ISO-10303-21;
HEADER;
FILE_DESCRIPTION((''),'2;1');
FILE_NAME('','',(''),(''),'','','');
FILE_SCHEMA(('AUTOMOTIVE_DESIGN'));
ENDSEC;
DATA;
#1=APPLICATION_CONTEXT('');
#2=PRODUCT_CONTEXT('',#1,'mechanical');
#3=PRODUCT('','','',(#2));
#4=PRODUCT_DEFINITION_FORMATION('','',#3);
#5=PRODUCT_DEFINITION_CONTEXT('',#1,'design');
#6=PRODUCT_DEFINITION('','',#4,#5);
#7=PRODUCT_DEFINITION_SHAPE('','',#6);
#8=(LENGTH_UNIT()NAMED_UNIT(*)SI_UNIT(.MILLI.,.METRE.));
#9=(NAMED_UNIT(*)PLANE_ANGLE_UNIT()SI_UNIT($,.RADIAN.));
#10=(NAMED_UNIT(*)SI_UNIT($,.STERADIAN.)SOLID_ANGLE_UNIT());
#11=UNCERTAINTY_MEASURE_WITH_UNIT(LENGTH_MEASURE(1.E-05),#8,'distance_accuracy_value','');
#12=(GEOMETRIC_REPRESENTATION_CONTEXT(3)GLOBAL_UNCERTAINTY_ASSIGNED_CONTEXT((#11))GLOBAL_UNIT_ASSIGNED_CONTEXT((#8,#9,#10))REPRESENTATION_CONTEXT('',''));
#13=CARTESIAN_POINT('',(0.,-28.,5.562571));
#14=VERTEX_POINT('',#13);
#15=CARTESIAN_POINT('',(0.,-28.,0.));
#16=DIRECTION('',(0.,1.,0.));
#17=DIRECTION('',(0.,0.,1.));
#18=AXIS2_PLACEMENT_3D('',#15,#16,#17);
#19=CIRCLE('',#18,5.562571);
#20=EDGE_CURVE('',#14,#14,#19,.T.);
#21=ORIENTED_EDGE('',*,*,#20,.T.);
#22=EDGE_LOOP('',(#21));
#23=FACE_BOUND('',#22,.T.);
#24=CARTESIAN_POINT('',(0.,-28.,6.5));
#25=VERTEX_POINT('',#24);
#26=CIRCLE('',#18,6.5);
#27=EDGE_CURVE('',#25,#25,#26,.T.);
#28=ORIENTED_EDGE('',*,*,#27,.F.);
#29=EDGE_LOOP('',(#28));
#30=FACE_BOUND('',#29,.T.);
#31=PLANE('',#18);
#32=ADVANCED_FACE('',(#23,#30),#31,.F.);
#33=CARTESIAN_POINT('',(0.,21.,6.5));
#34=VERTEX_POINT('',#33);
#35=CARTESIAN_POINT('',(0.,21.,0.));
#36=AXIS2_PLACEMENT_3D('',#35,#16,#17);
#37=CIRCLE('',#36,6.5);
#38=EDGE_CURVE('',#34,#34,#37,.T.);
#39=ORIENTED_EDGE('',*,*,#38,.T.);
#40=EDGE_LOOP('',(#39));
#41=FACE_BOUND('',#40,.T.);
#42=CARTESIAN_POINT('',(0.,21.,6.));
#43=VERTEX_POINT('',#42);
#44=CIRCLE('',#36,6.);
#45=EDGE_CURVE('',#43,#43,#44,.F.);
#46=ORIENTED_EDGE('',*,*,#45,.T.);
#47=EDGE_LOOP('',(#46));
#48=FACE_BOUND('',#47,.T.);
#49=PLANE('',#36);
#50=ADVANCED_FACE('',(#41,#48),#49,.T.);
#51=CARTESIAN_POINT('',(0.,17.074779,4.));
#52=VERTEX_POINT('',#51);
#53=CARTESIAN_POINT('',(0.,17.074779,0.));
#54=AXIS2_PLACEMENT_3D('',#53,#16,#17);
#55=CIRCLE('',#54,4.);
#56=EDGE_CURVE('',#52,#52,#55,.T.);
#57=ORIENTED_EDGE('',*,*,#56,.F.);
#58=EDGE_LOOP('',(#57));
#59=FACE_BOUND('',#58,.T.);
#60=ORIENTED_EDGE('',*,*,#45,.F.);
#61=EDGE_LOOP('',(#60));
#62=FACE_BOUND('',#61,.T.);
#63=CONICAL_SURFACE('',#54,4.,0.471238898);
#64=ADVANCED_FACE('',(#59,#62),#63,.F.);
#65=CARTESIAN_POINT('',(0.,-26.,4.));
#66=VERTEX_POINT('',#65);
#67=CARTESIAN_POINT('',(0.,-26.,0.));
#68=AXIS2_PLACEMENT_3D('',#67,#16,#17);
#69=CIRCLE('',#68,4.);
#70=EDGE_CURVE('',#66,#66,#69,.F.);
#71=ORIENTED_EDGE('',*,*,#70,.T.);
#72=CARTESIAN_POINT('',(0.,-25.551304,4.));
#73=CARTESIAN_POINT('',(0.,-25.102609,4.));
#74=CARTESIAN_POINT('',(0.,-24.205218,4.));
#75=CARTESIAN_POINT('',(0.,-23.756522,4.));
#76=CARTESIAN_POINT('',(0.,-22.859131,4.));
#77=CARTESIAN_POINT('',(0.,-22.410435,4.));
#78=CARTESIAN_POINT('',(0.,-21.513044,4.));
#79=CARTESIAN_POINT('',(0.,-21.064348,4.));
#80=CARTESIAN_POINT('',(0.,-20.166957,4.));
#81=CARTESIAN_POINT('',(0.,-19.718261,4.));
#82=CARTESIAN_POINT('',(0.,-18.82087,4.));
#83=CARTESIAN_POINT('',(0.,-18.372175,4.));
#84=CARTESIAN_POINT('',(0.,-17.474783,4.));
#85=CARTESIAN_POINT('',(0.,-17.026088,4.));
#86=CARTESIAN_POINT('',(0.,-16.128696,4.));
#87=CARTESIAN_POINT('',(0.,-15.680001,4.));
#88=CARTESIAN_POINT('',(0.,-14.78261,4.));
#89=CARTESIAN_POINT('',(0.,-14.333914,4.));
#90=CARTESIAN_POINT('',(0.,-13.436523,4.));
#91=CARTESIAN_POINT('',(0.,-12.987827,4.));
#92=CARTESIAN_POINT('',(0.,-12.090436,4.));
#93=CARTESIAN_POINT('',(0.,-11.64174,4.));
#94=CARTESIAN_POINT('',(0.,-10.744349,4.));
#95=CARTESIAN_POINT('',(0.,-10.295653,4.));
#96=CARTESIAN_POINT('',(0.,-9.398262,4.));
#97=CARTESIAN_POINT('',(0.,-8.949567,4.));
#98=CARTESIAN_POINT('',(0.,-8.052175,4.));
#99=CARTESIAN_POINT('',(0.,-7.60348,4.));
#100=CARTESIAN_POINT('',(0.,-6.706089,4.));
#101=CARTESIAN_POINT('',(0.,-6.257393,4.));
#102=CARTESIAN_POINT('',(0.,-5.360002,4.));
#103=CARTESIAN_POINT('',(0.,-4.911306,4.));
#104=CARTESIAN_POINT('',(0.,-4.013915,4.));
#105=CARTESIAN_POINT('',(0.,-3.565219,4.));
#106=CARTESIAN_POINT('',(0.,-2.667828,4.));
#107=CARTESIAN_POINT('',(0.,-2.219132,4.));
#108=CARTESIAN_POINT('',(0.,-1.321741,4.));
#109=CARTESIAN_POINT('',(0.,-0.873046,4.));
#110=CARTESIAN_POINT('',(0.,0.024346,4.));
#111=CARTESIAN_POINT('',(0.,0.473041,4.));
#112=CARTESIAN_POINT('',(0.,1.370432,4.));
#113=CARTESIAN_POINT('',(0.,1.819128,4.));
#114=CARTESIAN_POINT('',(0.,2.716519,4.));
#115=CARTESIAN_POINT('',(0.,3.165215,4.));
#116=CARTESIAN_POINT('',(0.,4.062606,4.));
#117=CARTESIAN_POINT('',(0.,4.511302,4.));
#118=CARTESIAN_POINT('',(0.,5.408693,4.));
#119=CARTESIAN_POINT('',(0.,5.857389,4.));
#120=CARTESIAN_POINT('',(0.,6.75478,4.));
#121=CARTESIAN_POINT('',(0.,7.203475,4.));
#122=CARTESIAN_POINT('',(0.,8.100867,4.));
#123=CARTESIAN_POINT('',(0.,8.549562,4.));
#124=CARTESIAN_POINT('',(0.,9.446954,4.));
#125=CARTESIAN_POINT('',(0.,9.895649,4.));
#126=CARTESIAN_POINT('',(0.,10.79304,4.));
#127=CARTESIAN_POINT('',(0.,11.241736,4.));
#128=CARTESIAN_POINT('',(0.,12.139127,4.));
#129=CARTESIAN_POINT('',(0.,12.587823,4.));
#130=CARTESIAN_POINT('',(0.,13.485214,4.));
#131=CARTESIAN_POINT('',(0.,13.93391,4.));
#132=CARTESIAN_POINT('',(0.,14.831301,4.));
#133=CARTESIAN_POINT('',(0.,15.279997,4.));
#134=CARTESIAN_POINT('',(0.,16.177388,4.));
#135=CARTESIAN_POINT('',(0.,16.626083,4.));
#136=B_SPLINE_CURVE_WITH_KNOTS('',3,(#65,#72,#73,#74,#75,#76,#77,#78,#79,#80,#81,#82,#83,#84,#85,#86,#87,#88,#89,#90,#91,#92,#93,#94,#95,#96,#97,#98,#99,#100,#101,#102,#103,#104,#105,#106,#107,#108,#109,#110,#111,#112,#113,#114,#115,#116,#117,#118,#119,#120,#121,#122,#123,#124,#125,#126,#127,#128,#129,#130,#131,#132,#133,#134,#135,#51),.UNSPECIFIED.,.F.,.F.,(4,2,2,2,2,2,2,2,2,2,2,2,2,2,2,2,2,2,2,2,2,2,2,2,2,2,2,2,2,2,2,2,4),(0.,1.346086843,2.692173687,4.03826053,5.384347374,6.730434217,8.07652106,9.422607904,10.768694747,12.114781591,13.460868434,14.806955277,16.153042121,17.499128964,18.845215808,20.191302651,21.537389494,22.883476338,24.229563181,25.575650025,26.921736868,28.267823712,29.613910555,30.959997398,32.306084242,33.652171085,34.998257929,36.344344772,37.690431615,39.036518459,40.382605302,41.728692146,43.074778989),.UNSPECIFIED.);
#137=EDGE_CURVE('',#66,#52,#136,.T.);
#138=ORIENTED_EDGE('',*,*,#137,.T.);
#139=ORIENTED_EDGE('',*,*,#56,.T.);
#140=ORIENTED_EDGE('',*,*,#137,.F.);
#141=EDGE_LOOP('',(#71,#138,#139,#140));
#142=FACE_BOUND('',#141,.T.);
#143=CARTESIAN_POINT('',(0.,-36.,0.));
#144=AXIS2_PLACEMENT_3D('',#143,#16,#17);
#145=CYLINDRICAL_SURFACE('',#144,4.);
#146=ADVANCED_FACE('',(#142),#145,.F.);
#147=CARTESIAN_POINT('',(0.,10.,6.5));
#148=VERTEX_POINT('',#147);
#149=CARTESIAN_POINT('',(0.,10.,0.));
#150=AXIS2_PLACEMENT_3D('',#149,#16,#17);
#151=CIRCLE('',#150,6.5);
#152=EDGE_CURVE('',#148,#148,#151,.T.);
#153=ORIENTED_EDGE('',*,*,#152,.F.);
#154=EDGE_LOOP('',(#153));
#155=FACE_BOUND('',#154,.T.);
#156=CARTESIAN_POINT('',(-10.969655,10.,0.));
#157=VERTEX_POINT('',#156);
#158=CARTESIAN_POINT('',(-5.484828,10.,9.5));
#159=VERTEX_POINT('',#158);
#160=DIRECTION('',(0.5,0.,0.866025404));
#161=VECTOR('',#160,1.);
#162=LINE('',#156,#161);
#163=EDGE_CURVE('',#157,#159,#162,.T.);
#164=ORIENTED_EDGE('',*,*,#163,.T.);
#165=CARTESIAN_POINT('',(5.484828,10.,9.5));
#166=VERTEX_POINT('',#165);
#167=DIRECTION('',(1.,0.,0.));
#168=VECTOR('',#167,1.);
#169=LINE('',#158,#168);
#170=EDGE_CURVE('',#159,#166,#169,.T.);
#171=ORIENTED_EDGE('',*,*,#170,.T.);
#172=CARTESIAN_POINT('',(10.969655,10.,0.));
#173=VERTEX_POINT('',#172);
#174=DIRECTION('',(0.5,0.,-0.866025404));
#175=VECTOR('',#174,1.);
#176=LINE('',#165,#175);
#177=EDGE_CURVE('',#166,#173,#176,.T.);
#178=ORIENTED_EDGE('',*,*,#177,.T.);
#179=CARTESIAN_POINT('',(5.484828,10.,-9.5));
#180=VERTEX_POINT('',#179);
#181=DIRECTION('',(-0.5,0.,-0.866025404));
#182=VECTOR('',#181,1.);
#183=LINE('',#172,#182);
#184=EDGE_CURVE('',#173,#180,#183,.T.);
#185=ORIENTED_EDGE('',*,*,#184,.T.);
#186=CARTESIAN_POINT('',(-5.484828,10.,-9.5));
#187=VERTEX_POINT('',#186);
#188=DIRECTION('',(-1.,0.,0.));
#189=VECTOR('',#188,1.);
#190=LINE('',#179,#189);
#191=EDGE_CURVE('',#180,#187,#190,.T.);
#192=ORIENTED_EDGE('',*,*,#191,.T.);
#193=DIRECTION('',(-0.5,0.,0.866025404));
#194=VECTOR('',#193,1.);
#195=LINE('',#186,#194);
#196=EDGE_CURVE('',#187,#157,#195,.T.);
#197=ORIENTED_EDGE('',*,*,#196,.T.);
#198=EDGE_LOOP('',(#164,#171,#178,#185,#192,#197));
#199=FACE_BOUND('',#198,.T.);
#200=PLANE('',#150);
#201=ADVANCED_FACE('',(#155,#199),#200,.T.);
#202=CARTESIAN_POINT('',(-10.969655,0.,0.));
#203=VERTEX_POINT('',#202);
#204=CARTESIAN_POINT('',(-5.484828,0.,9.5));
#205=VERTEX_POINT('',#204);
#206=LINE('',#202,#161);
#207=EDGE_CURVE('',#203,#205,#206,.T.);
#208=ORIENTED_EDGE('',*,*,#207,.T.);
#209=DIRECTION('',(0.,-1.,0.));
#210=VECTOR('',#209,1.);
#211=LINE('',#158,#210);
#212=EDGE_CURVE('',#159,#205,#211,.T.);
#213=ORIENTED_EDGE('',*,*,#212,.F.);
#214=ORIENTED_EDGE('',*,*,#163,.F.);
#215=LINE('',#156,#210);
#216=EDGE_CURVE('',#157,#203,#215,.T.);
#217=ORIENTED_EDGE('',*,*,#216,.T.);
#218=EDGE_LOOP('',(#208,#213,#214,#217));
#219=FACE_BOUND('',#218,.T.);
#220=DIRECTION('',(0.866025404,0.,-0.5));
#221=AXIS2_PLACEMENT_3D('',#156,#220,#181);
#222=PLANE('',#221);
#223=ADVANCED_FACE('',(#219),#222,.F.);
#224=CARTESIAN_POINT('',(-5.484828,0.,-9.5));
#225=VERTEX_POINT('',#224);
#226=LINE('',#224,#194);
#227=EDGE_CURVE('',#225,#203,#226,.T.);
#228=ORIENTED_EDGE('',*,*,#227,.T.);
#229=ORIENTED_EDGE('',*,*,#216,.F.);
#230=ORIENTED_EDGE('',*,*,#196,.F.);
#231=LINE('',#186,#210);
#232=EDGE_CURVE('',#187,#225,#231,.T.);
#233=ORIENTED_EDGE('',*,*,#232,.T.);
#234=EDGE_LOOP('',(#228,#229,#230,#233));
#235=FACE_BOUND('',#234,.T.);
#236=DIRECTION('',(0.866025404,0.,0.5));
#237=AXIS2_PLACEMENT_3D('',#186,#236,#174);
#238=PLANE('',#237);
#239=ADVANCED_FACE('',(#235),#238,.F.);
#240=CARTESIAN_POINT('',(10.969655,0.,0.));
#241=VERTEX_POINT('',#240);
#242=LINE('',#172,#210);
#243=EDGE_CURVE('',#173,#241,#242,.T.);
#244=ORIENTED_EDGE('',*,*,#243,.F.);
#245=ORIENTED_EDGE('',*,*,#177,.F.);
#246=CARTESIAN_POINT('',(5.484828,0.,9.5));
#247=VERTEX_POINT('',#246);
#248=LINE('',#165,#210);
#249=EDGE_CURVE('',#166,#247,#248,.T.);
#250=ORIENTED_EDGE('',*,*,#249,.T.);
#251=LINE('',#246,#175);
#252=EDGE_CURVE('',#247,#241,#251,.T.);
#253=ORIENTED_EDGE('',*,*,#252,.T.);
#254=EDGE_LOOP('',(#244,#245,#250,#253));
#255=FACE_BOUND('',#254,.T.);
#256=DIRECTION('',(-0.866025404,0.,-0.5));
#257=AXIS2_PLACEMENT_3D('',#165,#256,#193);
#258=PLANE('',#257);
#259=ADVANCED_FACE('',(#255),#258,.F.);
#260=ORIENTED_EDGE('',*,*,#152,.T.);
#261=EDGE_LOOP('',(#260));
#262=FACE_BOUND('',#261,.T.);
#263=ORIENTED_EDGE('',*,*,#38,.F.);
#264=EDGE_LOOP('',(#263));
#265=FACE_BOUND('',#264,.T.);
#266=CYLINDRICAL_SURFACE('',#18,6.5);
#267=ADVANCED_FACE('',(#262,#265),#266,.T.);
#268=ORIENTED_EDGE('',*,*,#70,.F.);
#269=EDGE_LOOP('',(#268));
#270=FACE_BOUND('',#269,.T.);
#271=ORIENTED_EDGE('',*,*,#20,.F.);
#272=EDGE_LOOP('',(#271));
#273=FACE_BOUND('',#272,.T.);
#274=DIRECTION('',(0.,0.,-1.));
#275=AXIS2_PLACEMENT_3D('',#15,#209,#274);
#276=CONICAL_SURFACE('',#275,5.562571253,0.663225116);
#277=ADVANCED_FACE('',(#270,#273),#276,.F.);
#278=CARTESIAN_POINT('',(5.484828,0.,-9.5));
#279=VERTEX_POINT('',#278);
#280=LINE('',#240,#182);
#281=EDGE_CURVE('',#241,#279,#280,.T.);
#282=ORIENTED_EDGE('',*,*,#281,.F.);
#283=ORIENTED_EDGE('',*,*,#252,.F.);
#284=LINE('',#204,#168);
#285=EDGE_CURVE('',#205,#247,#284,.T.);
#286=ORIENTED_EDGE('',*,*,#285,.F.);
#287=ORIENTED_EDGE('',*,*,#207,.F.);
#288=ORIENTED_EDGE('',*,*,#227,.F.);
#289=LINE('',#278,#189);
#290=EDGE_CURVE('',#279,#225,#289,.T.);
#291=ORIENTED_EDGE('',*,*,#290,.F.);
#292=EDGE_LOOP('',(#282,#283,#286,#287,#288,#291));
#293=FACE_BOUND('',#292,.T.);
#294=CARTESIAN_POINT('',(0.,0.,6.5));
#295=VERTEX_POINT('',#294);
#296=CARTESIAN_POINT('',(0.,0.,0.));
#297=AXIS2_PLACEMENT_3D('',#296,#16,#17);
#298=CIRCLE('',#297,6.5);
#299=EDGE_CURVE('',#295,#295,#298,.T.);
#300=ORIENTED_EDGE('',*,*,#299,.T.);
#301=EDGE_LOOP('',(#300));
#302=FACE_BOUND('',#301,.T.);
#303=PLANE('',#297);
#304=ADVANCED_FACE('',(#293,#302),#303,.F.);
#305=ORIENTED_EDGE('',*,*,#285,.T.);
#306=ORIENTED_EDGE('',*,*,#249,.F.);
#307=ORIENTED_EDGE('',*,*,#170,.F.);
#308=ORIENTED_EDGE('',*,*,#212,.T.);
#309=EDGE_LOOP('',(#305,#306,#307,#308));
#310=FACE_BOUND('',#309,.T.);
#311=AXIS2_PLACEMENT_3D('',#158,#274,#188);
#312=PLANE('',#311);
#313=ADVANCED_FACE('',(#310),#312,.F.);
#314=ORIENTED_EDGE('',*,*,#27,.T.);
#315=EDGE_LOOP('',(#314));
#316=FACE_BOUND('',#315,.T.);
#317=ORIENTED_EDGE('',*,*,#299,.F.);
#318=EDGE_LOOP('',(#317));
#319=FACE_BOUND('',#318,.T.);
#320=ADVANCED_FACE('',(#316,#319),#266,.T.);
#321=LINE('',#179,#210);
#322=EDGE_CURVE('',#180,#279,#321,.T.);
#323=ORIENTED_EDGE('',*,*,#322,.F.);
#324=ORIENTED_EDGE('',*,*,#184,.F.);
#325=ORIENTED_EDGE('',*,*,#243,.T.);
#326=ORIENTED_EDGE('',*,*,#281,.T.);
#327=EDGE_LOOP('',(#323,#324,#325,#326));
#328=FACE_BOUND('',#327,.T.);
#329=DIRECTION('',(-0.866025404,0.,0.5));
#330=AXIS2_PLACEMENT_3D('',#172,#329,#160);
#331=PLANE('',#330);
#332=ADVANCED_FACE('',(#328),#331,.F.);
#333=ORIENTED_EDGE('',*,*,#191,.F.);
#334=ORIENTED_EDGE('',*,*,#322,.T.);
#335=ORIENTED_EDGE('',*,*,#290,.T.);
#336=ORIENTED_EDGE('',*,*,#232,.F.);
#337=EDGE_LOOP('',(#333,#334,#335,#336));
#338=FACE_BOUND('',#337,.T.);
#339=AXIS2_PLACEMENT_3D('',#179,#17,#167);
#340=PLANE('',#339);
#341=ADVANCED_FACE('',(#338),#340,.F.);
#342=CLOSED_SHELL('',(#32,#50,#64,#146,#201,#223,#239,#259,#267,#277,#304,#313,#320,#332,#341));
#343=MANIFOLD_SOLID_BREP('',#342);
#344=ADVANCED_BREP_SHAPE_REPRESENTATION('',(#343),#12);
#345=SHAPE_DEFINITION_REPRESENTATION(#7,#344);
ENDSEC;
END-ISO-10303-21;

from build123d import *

# Parameters (mm, degrees)
BOSS_EXTRUDE1_DEPTH      = 10
BOSS_EXTRUDE2_DEPTH      = 11
BOSS_EXTRUDE2_DEPTH_BACK = 38
SKETCH2_R                = 6.5
SKETCH3_R                = 4
CUT_EXTRUDE1_DEPTH       = 57
CHAMFER1_SIZE            = 2
CHAMFER1_SIZE2           = 3.925221011
CHAMFER2_SIZE            = 2
CHAMFER2_SIZE2           = 1.562571253


with BuildPart() as part:
    # Sketch1 → Boss-Extrude1 (new body)
    with BuildSketch(Plane(origin=(0, 0, 0), x_dir=(1, 0, 0), z_dir=(0, 1, 0))):
        Polygon((10.969655115, 0), (5.484827557, 9.5), (-5.484827557, 9.5), (-10.969655115, 0), (-5.484827557, -9.5), (5.484827557, -9.5), align=None)
    extrude(amount=BOSS_EXTRUDE1_DEPTH)

    # Sketch2 → Boss-Extrude2 (add, two sides: drawn at the far end of the back side and taken through both)
    with BuildSketch(Plane(origin=(0, 10, 0), x_dir=(1, 0, 0), z_dir=(0, 1, 0)).offset(-BOSS_EXTRUDE2_DEPTH_BACK)):
        with Locations(Location((0, 0, 0), (0, 0, 270))):
            Circle(SKETCH2_R)
    extrude(amount=BOSS_EXTRUDE2_DEPTH + BOSS_EXTRUDE2_DEPTH_BACK)

    # Sketch3 → Cut-Extrude1 (cut)
    with BuildSketch(Plane(origin=(0, 21, 0), x_dir=(1, 0, 0), z_dir=(0, 1, 0))):
        with Locations(Location((0, 0, 0), (0, 0, 270))):
            Circle(SKETCH3_R)
    extrude(amount=-CUT_EXTRUDE1_DEPTH, mode=Mode.SUBTRACT)

    # Chamfer1
    chamfer1_edges = [part.edges().sort_by_distance(p)[0] for p in [
        (0, 21, -4),
    ]]
    chamfer1_side = [part.faces().sort_by_distance(p)[0] for p in [
        (0, 21, -6.316152237),
    ]]
    chamfer(chamfer1_edges, length=CHAMFER1_SIZE, length2=CHAMFER1_SIZE2, reference=chamfer1_side[0])

    # Chamfer2
    chamfer2_edges = [part.edges().sort_by_distance(p)[0] for p in [
        (0, -28, -4),
    ]]
    chamfer2_side = [part.faces().sort_by_distance(p)[0] for p in [
        (0, -5.462610506, -4),
    ]]
    chamfer(chamfer2_edges, length=CHAMFER2_SIZE, length2=CHAMFER2_SIZE2, reference=chamfer2_side[0])


solid = part.part
